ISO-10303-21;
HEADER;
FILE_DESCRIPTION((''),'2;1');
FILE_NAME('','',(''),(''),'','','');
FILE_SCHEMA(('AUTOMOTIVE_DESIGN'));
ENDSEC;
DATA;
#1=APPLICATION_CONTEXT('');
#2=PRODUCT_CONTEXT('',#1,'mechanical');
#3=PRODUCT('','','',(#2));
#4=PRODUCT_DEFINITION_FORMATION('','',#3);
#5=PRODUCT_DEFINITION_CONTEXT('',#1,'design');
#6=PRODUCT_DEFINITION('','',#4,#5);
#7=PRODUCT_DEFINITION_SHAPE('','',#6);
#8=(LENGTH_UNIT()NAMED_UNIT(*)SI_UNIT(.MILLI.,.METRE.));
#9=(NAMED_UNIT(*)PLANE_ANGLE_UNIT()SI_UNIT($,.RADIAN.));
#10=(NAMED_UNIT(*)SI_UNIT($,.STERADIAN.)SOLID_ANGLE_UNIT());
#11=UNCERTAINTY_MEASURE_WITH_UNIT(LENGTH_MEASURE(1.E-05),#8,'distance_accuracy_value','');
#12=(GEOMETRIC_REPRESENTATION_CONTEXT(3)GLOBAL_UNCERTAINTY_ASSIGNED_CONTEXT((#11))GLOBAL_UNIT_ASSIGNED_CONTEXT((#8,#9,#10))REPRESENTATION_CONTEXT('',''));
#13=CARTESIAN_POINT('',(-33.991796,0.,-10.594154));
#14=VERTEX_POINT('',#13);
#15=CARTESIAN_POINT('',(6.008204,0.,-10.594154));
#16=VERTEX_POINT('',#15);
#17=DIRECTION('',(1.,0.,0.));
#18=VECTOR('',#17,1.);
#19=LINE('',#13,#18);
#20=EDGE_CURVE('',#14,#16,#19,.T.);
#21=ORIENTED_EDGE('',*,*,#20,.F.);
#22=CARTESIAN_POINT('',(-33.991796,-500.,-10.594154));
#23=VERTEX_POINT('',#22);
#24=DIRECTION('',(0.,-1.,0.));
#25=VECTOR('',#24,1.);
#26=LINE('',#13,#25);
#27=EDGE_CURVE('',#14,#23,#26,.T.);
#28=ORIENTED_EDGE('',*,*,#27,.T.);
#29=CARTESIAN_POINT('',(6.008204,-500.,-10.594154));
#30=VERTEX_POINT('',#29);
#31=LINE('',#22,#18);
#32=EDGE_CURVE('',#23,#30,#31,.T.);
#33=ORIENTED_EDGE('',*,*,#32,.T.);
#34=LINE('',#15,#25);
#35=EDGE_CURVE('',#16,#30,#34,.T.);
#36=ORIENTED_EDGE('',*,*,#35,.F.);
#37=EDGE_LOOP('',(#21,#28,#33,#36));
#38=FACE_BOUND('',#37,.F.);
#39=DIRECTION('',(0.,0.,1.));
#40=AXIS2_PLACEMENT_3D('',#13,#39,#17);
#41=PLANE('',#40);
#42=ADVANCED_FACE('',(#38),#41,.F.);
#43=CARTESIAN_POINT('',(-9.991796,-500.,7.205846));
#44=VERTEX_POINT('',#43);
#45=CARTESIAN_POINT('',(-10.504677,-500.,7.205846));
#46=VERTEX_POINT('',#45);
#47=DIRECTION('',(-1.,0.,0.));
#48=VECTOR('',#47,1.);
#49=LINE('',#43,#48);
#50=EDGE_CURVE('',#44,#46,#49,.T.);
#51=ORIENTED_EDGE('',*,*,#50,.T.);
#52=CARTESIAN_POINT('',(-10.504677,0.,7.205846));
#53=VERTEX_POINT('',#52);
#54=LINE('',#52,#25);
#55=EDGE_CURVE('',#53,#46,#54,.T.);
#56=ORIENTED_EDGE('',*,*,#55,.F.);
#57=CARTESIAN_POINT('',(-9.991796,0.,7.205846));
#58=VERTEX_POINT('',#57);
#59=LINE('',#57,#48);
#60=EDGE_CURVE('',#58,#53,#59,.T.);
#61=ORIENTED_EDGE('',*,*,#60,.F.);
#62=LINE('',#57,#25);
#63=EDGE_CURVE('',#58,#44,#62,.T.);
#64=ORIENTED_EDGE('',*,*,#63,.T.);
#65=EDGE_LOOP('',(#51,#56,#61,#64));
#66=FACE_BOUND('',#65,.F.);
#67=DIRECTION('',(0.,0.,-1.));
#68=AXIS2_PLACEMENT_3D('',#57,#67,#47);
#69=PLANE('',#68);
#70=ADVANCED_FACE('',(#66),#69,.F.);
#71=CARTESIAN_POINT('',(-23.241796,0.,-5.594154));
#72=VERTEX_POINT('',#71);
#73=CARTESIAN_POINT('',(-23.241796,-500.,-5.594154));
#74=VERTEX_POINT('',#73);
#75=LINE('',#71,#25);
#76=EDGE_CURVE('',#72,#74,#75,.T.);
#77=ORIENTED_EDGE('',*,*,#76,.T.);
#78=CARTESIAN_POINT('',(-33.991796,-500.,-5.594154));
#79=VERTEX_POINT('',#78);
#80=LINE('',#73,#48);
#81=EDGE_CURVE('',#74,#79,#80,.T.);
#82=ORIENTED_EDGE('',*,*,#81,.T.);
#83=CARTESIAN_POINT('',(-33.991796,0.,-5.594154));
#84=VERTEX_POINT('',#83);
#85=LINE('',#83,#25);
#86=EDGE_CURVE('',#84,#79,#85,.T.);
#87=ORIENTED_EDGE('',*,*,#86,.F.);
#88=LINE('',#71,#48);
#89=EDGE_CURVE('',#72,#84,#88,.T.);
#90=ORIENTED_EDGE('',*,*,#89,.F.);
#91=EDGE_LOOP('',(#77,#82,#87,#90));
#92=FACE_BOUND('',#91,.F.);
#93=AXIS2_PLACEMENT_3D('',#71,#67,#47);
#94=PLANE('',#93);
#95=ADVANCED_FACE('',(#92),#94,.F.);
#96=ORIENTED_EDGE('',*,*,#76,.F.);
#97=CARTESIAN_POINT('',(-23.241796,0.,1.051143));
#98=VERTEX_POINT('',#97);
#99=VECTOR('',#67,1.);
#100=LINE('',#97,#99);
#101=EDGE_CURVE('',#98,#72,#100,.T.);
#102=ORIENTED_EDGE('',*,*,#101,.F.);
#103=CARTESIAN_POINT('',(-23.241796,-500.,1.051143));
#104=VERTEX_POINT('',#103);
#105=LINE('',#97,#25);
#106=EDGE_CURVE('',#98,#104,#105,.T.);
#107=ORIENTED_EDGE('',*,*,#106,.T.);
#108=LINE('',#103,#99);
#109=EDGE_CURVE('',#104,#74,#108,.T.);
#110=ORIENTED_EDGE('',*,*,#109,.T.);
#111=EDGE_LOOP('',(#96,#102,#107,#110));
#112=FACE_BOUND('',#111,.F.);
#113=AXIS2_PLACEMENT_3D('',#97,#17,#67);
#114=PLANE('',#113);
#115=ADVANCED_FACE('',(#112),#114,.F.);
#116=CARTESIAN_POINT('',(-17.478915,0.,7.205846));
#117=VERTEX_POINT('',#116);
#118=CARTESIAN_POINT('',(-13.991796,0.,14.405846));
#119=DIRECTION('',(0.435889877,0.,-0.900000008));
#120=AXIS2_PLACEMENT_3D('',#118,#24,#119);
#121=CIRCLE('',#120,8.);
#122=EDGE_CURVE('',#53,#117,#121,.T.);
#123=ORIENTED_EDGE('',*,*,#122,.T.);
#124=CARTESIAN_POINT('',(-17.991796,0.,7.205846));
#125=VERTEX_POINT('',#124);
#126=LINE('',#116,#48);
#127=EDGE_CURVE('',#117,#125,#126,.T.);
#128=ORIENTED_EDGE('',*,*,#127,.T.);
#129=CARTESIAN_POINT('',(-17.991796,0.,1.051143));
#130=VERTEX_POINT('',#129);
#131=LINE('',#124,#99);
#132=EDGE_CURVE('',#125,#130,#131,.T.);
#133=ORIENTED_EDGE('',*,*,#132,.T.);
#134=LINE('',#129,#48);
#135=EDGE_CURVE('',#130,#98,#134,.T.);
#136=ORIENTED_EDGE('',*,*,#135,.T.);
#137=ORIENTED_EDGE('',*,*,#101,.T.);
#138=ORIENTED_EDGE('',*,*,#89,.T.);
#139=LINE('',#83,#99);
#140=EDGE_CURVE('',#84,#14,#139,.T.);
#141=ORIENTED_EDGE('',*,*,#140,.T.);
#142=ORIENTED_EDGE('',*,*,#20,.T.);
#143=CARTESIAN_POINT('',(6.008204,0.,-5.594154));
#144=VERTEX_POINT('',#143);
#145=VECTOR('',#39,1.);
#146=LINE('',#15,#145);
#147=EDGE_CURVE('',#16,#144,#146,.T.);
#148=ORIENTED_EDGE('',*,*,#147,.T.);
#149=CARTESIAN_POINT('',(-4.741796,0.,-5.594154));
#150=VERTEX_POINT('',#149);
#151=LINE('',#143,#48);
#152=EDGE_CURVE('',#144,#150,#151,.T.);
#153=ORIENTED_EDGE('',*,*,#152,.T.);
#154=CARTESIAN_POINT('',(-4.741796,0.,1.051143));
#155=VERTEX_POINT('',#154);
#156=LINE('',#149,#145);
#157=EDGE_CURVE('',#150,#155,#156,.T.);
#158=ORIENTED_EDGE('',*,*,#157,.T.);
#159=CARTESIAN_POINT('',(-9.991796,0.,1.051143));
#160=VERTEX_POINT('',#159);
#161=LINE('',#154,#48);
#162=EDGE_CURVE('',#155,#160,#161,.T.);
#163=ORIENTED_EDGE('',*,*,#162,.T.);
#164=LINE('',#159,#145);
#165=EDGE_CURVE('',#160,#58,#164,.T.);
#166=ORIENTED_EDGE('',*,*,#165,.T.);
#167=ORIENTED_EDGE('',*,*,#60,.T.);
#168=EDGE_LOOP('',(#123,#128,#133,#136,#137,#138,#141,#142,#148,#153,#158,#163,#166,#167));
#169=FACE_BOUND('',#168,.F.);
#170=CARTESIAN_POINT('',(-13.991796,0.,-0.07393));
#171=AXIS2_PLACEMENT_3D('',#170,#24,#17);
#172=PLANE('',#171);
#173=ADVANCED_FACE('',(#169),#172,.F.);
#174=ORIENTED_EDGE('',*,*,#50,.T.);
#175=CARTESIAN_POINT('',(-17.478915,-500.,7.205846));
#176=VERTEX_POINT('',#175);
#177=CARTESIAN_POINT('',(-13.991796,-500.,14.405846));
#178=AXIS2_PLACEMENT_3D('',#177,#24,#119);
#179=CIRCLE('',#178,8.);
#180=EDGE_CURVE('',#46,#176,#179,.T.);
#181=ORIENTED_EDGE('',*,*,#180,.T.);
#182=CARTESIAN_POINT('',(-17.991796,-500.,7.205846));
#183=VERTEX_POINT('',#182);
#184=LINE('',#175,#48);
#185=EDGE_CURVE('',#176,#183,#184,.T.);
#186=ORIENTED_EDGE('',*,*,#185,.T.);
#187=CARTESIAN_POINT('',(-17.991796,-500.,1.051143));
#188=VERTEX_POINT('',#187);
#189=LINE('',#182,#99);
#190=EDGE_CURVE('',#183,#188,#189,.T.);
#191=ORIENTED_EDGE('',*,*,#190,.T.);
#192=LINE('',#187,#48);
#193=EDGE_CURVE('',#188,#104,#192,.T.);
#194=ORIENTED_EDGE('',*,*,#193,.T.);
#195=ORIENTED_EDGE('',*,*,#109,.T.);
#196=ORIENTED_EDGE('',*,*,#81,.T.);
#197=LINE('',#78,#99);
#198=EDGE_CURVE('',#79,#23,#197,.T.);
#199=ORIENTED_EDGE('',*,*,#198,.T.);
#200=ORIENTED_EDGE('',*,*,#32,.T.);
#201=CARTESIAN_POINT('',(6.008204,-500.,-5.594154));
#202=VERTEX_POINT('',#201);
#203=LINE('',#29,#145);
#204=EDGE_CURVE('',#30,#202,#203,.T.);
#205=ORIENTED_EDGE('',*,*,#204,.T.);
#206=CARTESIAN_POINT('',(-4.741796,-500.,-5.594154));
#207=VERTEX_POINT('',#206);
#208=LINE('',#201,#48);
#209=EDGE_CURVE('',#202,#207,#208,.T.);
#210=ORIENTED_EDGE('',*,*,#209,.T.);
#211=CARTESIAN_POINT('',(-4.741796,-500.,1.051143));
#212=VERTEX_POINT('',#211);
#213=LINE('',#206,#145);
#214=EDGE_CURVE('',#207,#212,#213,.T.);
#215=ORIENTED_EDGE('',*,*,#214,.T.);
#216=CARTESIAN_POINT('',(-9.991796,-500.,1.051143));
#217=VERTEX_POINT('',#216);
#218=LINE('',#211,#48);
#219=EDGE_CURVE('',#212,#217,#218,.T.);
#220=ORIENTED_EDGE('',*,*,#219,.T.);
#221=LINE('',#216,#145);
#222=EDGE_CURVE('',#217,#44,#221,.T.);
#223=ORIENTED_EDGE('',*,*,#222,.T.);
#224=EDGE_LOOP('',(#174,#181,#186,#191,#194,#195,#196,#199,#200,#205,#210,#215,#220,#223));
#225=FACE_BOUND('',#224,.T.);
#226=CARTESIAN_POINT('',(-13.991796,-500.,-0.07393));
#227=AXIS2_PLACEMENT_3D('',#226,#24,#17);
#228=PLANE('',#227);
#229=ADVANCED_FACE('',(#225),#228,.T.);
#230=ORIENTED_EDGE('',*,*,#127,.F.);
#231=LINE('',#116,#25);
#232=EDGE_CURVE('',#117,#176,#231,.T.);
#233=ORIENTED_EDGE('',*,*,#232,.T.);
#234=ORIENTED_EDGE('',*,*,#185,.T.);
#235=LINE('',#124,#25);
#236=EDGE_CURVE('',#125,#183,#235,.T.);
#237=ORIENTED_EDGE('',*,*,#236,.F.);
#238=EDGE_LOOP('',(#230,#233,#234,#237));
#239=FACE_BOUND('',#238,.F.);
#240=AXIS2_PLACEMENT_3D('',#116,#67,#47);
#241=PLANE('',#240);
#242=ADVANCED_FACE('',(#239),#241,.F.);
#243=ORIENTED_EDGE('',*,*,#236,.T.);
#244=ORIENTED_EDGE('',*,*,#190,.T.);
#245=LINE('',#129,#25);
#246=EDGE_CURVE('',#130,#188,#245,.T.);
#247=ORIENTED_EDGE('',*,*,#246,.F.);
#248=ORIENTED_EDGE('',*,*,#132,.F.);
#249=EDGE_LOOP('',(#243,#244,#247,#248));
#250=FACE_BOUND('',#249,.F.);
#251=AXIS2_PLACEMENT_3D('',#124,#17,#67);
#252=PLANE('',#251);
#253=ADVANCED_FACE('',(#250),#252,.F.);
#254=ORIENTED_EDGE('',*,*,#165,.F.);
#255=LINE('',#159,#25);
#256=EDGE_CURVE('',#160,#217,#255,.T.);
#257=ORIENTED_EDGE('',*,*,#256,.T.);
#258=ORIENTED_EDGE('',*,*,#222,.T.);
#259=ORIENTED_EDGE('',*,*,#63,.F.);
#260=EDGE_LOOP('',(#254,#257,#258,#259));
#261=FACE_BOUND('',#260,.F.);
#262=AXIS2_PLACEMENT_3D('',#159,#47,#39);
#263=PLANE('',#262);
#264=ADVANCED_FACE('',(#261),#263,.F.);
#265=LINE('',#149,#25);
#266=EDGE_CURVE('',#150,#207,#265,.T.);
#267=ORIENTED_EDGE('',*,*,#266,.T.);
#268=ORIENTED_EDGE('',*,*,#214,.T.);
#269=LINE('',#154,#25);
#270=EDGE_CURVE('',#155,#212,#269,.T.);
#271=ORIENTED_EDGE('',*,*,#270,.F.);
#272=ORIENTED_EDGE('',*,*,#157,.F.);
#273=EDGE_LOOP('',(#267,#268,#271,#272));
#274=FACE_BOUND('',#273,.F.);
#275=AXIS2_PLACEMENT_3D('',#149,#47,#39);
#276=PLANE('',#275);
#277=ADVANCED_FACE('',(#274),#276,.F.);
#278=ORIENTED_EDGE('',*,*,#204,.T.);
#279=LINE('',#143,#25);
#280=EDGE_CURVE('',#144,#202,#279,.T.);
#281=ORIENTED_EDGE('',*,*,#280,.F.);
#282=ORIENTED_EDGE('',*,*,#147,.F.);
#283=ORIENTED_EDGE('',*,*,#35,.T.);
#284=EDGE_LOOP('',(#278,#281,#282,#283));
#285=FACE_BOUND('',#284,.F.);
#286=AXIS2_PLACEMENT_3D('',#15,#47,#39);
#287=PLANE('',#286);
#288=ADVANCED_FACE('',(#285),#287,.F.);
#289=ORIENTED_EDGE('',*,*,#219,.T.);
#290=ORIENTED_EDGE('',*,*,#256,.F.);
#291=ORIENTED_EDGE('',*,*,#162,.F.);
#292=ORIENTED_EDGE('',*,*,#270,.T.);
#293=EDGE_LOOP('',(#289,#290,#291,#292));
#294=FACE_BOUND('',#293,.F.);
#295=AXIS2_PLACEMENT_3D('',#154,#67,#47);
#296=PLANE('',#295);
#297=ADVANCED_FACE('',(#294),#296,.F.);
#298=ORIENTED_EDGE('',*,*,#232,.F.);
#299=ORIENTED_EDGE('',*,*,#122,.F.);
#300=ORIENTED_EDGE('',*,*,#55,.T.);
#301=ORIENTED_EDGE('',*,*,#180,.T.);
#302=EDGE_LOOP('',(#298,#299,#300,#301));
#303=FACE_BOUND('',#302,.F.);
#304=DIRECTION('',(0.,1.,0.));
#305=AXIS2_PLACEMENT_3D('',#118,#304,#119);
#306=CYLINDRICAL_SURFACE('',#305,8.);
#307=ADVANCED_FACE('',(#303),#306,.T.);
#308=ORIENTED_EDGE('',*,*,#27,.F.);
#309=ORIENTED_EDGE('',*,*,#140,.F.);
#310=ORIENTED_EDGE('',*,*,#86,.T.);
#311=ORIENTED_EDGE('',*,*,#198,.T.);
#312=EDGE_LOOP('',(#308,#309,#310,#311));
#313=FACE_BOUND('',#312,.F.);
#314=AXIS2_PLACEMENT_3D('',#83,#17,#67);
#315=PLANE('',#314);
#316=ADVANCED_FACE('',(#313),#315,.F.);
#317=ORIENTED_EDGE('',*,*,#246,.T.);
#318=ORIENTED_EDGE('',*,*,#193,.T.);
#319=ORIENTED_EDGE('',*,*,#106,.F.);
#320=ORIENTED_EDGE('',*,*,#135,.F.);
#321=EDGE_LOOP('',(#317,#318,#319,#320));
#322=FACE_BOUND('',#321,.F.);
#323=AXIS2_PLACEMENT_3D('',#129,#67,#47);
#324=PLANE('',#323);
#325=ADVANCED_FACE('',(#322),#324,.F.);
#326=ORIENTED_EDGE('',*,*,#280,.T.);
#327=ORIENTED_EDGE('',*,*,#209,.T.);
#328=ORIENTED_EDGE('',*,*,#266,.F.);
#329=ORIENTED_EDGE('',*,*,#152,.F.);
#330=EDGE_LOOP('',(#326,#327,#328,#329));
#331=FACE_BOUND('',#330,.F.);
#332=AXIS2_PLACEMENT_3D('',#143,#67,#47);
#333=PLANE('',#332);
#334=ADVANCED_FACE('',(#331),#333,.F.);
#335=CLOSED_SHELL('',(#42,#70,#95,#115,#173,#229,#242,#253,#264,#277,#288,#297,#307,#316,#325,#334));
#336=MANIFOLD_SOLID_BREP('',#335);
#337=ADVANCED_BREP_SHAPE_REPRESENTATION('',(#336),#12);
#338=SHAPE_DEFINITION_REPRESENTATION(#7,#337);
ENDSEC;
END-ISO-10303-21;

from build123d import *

# Parameters (mm, degrees)
F1_DEPTH = 500


with BuildPart() as f1:
    # F0 (on Front) → F1 (new body)
    with BuildSketch(Plane.XZ):
        with BuildLine():
            Line((-33.991796, -5.594154), (-33.991796, -10.594154))
            Line((-33.991796, -10.594154), (6.008204, -10.594154))
            Line((6.008204, -10.594154), (6.008204, -5.594154))
            Line((6.008204, -5.594154), (-4.741796, -5.594154))
            Line((-4.741796, -5.594154), (-4.741796, 1.051143))
            Line((-4.741796, 1.051143), (-9.991796, 1.051143))
            Line((-9.991796, 1.051143), (-9.991796, 7.205846))
            Line((-9.991796, 7.205846), (-10.504677, 7.205846))
            ThreePointArc((-10.504677, 7.205846), (-13.991796, 22.405846), (-17.478915, 7.205846))
            Line((-17.478915, 7.205846), (-17.991796, 7.205846))
            Line((-17.991796, 7.205846), (-17.991796, 1.051143))
            Line((-17.991796, 1.051143), (-23.241796, 1.051143))
            Line((-23.241796, 1.051143), (-23.241796, -5.594154))
            Line((-23.241796, -5.594154), (-33.991796, -5.594154))
        make_face()
    extrude(amount=F1_DEPTH)


solid = f1.part
